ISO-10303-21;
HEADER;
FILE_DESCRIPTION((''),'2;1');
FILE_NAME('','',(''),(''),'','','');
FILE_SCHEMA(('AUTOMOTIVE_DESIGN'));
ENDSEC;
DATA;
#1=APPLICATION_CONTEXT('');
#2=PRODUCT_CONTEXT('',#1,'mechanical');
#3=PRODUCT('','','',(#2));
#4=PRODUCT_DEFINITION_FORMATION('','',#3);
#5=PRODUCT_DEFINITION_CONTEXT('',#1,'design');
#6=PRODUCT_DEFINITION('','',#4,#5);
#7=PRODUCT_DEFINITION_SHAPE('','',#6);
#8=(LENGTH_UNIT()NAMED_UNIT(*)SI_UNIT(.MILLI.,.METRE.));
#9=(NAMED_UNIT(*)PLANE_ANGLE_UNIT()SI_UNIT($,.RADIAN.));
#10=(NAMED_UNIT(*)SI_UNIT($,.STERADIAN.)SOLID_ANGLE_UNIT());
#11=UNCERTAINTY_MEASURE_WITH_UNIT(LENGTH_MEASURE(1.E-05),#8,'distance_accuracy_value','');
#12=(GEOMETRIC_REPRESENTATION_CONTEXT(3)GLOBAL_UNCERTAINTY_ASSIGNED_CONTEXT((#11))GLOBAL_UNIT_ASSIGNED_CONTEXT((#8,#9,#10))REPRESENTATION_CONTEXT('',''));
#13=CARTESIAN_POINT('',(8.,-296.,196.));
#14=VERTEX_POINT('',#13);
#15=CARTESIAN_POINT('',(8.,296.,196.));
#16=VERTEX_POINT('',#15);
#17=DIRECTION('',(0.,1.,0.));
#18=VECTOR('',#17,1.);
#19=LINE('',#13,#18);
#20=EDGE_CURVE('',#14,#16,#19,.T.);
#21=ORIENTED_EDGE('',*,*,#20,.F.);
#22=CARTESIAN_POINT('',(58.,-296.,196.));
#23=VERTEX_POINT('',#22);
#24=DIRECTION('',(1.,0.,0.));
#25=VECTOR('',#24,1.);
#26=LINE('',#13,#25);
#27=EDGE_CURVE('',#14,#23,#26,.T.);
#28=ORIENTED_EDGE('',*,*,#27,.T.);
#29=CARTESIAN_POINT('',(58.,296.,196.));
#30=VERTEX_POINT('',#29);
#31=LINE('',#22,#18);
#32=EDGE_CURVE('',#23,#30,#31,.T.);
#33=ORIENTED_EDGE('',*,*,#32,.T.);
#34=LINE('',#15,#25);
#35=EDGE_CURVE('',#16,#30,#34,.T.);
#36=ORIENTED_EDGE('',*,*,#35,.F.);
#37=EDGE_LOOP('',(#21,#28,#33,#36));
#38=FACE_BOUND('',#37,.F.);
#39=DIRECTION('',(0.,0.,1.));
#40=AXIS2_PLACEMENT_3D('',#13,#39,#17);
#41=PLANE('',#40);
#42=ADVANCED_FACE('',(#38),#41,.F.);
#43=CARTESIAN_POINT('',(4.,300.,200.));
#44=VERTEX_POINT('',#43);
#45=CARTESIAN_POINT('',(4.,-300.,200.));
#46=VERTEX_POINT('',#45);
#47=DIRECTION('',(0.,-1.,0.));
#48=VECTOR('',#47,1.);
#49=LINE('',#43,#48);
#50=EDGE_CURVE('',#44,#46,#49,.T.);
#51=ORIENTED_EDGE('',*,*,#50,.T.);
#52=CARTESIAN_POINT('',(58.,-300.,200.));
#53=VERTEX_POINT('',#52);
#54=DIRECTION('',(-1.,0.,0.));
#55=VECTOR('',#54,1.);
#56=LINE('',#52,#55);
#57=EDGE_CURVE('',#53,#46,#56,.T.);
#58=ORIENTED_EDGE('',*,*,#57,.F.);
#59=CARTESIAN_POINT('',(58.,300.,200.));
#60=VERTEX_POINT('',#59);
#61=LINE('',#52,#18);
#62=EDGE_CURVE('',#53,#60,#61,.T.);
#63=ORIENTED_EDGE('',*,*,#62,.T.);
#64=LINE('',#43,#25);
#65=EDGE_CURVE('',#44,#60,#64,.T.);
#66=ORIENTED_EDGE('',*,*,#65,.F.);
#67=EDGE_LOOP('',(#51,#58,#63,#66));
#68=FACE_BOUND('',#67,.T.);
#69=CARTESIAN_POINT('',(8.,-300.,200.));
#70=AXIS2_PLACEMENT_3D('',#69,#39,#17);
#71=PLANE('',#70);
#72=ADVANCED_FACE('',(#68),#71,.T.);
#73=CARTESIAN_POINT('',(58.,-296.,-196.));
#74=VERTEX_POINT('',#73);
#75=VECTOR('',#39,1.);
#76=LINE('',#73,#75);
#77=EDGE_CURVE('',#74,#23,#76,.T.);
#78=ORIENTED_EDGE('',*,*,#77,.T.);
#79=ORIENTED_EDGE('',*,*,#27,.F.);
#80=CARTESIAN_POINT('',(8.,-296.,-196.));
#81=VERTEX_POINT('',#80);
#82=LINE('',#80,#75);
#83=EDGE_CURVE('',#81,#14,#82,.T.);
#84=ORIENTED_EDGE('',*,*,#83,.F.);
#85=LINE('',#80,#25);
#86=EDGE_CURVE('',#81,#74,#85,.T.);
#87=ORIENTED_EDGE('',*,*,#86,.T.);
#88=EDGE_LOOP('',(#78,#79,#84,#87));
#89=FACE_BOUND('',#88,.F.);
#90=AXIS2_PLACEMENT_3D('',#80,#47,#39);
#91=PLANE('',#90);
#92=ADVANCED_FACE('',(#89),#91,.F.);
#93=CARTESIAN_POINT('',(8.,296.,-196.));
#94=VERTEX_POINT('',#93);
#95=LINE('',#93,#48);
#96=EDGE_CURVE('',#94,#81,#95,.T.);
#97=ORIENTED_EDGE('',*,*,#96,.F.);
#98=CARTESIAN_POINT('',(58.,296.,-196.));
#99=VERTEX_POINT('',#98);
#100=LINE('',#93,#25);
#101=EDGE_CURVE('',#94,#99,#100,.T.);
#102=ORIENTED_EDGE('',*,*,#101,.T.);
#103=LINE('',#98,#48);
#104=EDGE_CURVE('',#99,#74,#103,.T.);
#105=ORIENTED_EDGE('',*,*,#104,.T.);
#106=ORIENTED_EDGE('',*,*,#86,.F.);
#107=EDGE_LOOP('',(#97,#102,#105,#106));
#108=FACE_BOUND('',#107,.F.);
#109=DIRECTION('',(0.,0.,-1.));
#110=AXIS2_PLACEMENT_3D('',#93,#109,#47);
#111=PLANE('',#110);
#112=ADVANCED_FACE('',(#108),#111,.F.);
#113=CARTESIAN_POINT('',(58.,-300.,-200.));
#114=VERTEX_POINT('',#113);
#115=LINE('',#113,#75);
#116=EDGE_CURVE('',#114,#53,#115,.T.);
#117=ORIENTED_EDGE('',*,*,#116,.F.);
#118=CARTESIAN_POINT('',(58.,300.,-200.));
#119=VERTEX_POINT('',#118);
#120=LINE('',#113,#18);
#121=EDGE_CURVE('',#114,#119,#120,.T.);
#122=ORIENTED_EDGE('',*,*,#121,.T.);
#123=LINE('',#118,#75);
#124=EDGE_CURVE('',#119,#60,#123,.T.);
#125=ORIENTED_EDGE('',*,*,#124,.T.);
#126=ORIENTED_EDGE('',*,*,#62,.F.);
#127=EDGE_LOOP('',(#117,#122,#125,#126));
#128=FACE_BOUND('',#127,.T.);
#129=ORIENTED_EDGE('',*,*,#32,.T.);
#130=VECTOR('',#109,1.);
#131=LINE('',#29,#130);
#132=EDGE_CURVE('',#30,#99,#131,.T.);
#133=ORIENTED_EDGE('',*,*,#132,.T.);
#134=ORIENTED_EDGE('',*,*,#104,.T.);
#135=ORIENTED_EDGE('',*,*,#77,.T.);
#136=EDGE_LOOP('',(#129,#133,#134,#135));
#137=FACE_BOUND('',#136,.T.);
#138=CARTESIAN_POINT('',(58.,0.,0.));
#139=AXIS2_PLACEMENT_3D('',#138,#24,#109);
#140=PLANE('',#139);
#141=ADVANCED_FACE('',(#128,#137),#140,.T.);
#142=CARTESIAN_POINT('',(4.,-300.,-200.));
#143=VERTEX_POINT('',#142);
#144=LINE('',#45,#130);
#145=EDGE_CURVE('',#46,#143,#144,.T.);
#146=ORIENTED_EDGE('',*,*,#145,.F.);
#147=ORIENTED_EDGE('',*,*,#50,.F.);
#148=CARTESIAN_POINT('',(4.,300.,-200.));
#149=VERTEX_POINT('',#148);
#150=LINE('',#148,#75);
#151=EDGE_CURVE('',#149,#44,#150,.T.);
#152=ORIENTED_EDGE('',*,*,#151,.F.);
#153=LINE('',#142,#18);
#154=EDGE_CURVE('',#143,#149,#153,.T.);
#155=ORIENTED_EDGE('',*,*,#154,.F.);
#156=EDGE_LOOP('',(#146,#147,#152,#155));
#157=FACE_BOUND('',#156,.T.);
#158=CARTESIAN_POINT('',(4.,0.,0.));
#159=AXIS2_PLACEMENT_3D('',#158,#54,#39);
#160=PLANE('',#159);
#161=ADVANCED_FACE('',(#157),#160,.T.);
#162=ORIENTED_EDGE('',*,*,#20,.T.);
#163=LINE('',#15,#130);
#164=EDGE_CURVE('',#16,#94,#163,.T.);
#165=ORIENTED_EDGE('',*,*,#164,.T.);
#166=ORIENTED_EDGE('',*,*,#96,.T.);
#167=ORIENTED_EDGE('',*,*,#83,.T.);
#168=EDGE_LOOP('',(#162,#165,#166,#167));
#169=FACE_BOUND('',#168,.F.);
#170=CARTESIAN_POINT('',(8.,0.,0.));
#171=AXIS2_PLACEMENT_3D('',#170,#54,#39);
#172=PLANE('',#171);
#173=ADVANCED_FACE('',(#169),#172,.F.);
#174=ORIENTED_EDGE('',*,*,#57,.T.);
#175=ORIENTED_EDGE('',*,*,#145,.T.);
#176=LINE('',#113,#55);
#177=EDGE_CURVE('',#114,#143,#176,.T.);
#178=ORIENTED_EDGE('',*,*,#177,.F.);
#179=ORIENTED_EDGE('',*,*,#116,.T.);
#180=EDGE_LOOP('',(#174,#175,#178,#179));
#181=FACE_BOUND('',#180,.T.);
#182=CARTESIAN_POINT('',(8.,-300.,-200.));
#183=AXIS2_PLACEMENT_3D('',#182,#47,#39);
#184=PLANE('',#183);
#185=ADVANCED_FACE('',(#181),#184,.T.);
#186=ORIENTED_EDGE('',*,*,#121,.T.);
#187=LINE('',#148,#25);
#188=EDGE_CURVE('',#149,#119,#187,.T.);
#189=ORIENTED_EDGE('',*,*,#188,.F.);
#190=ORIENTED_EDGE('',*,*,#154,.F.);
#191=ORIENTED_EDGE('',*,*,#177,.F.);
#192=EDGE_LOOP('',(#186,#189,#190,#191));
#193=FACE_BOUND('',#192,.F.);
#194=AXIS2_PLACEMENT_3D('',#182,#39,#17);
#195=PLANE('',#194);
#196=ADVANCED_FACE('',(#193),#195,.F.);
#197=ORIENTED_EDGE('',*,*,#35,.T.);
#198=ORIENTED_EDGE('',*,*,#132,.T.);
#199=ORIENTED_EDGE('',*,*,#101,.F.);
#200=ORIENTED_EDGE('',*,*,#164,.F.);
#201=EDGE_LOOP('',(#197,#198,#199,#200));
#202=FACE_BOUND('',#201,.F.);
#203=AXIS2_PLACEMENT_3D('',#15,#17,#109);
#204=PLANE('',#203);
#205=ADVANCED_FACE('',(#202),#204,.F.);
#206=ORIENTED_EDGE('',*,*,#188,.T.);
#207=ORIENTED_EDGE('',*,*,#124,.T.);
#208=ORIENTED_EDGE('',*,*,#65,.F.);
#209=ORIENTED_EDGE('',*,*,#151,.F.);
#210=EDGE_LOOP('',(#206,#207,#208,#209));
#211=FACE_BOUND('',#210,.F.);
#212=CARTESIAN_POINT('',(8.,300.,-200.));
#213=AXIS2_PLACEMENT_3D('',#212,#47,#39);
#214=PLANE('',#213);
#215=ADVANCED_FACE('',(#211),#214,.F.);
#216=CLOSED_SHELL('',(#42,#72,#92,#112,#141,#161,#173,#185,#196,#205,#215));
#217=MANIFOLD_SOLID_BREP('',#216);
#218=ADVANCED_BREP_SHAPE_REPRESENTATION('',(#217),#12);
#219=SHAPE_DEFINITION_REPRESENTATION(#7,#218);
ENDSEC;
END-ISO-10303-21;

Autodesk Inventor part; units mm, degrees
ref_plane "YZ Plane" through (0, 0, 0) normal (1, 0, 0) x (0, 1, 0)
ref_plane "XZ Plane" through (0, 0, 0) normal (0, 1, 0) x (-1, 0, 0)
ref_plane "XY Plane" through (0, 0, 0) normal (0, 0, 1) x (1, 0, 0)
ref_plane "РабПлоскость1" through (8, 0, 0) normal (1, 0, 0) x (0, 0, -1)
sketch "Эскиз2" plane through (8, 0, 0) normal (1, 0, 0) x (0, 0, -1)
  line L0 (200, 300) -> (-200, 300) projected
  line L1 (200, -300) -> (200, 300) projected
  line L2 (-200, 300) -> (200, 300)
  line L3 (200, 300) -> (200, -300)
  line L4 (200, -300) -> (-200, -300)
  line L5 (-200, -300) -> (-200, 300)
  line L6 (-196, 296) -> (196, 296)
  line L7 (196, 296) -> (196, -296)
  line L8 (196, -296) -> (-196, -296)
  line L9 (-196, -296) -> (-196, 296)
  point P0 (0, 0)
  dimension "d4" = 4
  dimension "d5" = 4
  dimension "d6" = 4
  dimension "d7" = 4
extrude "Выдавливание2" add sketch "Эскиз2" along normal blind 50
sketch "Эскиз3" plane through (8, 0, 0) normal (-1, 0, 0) x (0, 0, 1)
  line L0 (-200, -300) -> (-200, 300) projected
  line L1 (200, 300) -> (200, -300) projected
  line L2 (-200, 300) -> (200, 300)
  line L3 (200, 300) -> (200, -300)
  line L4 (200, -300) -> (-200, -300)
  line L5 (-200, -300) -> (-200, 300)
  point P0 (0, 0)
extrude "Выдавливание3" add sketch "Эскиз3" along normal blind 4
equation "\"d5\" = d4"
equation "\"d6\" = d4"
equation "\"d7\" = d4"
properties part number "Задняя стенка"
